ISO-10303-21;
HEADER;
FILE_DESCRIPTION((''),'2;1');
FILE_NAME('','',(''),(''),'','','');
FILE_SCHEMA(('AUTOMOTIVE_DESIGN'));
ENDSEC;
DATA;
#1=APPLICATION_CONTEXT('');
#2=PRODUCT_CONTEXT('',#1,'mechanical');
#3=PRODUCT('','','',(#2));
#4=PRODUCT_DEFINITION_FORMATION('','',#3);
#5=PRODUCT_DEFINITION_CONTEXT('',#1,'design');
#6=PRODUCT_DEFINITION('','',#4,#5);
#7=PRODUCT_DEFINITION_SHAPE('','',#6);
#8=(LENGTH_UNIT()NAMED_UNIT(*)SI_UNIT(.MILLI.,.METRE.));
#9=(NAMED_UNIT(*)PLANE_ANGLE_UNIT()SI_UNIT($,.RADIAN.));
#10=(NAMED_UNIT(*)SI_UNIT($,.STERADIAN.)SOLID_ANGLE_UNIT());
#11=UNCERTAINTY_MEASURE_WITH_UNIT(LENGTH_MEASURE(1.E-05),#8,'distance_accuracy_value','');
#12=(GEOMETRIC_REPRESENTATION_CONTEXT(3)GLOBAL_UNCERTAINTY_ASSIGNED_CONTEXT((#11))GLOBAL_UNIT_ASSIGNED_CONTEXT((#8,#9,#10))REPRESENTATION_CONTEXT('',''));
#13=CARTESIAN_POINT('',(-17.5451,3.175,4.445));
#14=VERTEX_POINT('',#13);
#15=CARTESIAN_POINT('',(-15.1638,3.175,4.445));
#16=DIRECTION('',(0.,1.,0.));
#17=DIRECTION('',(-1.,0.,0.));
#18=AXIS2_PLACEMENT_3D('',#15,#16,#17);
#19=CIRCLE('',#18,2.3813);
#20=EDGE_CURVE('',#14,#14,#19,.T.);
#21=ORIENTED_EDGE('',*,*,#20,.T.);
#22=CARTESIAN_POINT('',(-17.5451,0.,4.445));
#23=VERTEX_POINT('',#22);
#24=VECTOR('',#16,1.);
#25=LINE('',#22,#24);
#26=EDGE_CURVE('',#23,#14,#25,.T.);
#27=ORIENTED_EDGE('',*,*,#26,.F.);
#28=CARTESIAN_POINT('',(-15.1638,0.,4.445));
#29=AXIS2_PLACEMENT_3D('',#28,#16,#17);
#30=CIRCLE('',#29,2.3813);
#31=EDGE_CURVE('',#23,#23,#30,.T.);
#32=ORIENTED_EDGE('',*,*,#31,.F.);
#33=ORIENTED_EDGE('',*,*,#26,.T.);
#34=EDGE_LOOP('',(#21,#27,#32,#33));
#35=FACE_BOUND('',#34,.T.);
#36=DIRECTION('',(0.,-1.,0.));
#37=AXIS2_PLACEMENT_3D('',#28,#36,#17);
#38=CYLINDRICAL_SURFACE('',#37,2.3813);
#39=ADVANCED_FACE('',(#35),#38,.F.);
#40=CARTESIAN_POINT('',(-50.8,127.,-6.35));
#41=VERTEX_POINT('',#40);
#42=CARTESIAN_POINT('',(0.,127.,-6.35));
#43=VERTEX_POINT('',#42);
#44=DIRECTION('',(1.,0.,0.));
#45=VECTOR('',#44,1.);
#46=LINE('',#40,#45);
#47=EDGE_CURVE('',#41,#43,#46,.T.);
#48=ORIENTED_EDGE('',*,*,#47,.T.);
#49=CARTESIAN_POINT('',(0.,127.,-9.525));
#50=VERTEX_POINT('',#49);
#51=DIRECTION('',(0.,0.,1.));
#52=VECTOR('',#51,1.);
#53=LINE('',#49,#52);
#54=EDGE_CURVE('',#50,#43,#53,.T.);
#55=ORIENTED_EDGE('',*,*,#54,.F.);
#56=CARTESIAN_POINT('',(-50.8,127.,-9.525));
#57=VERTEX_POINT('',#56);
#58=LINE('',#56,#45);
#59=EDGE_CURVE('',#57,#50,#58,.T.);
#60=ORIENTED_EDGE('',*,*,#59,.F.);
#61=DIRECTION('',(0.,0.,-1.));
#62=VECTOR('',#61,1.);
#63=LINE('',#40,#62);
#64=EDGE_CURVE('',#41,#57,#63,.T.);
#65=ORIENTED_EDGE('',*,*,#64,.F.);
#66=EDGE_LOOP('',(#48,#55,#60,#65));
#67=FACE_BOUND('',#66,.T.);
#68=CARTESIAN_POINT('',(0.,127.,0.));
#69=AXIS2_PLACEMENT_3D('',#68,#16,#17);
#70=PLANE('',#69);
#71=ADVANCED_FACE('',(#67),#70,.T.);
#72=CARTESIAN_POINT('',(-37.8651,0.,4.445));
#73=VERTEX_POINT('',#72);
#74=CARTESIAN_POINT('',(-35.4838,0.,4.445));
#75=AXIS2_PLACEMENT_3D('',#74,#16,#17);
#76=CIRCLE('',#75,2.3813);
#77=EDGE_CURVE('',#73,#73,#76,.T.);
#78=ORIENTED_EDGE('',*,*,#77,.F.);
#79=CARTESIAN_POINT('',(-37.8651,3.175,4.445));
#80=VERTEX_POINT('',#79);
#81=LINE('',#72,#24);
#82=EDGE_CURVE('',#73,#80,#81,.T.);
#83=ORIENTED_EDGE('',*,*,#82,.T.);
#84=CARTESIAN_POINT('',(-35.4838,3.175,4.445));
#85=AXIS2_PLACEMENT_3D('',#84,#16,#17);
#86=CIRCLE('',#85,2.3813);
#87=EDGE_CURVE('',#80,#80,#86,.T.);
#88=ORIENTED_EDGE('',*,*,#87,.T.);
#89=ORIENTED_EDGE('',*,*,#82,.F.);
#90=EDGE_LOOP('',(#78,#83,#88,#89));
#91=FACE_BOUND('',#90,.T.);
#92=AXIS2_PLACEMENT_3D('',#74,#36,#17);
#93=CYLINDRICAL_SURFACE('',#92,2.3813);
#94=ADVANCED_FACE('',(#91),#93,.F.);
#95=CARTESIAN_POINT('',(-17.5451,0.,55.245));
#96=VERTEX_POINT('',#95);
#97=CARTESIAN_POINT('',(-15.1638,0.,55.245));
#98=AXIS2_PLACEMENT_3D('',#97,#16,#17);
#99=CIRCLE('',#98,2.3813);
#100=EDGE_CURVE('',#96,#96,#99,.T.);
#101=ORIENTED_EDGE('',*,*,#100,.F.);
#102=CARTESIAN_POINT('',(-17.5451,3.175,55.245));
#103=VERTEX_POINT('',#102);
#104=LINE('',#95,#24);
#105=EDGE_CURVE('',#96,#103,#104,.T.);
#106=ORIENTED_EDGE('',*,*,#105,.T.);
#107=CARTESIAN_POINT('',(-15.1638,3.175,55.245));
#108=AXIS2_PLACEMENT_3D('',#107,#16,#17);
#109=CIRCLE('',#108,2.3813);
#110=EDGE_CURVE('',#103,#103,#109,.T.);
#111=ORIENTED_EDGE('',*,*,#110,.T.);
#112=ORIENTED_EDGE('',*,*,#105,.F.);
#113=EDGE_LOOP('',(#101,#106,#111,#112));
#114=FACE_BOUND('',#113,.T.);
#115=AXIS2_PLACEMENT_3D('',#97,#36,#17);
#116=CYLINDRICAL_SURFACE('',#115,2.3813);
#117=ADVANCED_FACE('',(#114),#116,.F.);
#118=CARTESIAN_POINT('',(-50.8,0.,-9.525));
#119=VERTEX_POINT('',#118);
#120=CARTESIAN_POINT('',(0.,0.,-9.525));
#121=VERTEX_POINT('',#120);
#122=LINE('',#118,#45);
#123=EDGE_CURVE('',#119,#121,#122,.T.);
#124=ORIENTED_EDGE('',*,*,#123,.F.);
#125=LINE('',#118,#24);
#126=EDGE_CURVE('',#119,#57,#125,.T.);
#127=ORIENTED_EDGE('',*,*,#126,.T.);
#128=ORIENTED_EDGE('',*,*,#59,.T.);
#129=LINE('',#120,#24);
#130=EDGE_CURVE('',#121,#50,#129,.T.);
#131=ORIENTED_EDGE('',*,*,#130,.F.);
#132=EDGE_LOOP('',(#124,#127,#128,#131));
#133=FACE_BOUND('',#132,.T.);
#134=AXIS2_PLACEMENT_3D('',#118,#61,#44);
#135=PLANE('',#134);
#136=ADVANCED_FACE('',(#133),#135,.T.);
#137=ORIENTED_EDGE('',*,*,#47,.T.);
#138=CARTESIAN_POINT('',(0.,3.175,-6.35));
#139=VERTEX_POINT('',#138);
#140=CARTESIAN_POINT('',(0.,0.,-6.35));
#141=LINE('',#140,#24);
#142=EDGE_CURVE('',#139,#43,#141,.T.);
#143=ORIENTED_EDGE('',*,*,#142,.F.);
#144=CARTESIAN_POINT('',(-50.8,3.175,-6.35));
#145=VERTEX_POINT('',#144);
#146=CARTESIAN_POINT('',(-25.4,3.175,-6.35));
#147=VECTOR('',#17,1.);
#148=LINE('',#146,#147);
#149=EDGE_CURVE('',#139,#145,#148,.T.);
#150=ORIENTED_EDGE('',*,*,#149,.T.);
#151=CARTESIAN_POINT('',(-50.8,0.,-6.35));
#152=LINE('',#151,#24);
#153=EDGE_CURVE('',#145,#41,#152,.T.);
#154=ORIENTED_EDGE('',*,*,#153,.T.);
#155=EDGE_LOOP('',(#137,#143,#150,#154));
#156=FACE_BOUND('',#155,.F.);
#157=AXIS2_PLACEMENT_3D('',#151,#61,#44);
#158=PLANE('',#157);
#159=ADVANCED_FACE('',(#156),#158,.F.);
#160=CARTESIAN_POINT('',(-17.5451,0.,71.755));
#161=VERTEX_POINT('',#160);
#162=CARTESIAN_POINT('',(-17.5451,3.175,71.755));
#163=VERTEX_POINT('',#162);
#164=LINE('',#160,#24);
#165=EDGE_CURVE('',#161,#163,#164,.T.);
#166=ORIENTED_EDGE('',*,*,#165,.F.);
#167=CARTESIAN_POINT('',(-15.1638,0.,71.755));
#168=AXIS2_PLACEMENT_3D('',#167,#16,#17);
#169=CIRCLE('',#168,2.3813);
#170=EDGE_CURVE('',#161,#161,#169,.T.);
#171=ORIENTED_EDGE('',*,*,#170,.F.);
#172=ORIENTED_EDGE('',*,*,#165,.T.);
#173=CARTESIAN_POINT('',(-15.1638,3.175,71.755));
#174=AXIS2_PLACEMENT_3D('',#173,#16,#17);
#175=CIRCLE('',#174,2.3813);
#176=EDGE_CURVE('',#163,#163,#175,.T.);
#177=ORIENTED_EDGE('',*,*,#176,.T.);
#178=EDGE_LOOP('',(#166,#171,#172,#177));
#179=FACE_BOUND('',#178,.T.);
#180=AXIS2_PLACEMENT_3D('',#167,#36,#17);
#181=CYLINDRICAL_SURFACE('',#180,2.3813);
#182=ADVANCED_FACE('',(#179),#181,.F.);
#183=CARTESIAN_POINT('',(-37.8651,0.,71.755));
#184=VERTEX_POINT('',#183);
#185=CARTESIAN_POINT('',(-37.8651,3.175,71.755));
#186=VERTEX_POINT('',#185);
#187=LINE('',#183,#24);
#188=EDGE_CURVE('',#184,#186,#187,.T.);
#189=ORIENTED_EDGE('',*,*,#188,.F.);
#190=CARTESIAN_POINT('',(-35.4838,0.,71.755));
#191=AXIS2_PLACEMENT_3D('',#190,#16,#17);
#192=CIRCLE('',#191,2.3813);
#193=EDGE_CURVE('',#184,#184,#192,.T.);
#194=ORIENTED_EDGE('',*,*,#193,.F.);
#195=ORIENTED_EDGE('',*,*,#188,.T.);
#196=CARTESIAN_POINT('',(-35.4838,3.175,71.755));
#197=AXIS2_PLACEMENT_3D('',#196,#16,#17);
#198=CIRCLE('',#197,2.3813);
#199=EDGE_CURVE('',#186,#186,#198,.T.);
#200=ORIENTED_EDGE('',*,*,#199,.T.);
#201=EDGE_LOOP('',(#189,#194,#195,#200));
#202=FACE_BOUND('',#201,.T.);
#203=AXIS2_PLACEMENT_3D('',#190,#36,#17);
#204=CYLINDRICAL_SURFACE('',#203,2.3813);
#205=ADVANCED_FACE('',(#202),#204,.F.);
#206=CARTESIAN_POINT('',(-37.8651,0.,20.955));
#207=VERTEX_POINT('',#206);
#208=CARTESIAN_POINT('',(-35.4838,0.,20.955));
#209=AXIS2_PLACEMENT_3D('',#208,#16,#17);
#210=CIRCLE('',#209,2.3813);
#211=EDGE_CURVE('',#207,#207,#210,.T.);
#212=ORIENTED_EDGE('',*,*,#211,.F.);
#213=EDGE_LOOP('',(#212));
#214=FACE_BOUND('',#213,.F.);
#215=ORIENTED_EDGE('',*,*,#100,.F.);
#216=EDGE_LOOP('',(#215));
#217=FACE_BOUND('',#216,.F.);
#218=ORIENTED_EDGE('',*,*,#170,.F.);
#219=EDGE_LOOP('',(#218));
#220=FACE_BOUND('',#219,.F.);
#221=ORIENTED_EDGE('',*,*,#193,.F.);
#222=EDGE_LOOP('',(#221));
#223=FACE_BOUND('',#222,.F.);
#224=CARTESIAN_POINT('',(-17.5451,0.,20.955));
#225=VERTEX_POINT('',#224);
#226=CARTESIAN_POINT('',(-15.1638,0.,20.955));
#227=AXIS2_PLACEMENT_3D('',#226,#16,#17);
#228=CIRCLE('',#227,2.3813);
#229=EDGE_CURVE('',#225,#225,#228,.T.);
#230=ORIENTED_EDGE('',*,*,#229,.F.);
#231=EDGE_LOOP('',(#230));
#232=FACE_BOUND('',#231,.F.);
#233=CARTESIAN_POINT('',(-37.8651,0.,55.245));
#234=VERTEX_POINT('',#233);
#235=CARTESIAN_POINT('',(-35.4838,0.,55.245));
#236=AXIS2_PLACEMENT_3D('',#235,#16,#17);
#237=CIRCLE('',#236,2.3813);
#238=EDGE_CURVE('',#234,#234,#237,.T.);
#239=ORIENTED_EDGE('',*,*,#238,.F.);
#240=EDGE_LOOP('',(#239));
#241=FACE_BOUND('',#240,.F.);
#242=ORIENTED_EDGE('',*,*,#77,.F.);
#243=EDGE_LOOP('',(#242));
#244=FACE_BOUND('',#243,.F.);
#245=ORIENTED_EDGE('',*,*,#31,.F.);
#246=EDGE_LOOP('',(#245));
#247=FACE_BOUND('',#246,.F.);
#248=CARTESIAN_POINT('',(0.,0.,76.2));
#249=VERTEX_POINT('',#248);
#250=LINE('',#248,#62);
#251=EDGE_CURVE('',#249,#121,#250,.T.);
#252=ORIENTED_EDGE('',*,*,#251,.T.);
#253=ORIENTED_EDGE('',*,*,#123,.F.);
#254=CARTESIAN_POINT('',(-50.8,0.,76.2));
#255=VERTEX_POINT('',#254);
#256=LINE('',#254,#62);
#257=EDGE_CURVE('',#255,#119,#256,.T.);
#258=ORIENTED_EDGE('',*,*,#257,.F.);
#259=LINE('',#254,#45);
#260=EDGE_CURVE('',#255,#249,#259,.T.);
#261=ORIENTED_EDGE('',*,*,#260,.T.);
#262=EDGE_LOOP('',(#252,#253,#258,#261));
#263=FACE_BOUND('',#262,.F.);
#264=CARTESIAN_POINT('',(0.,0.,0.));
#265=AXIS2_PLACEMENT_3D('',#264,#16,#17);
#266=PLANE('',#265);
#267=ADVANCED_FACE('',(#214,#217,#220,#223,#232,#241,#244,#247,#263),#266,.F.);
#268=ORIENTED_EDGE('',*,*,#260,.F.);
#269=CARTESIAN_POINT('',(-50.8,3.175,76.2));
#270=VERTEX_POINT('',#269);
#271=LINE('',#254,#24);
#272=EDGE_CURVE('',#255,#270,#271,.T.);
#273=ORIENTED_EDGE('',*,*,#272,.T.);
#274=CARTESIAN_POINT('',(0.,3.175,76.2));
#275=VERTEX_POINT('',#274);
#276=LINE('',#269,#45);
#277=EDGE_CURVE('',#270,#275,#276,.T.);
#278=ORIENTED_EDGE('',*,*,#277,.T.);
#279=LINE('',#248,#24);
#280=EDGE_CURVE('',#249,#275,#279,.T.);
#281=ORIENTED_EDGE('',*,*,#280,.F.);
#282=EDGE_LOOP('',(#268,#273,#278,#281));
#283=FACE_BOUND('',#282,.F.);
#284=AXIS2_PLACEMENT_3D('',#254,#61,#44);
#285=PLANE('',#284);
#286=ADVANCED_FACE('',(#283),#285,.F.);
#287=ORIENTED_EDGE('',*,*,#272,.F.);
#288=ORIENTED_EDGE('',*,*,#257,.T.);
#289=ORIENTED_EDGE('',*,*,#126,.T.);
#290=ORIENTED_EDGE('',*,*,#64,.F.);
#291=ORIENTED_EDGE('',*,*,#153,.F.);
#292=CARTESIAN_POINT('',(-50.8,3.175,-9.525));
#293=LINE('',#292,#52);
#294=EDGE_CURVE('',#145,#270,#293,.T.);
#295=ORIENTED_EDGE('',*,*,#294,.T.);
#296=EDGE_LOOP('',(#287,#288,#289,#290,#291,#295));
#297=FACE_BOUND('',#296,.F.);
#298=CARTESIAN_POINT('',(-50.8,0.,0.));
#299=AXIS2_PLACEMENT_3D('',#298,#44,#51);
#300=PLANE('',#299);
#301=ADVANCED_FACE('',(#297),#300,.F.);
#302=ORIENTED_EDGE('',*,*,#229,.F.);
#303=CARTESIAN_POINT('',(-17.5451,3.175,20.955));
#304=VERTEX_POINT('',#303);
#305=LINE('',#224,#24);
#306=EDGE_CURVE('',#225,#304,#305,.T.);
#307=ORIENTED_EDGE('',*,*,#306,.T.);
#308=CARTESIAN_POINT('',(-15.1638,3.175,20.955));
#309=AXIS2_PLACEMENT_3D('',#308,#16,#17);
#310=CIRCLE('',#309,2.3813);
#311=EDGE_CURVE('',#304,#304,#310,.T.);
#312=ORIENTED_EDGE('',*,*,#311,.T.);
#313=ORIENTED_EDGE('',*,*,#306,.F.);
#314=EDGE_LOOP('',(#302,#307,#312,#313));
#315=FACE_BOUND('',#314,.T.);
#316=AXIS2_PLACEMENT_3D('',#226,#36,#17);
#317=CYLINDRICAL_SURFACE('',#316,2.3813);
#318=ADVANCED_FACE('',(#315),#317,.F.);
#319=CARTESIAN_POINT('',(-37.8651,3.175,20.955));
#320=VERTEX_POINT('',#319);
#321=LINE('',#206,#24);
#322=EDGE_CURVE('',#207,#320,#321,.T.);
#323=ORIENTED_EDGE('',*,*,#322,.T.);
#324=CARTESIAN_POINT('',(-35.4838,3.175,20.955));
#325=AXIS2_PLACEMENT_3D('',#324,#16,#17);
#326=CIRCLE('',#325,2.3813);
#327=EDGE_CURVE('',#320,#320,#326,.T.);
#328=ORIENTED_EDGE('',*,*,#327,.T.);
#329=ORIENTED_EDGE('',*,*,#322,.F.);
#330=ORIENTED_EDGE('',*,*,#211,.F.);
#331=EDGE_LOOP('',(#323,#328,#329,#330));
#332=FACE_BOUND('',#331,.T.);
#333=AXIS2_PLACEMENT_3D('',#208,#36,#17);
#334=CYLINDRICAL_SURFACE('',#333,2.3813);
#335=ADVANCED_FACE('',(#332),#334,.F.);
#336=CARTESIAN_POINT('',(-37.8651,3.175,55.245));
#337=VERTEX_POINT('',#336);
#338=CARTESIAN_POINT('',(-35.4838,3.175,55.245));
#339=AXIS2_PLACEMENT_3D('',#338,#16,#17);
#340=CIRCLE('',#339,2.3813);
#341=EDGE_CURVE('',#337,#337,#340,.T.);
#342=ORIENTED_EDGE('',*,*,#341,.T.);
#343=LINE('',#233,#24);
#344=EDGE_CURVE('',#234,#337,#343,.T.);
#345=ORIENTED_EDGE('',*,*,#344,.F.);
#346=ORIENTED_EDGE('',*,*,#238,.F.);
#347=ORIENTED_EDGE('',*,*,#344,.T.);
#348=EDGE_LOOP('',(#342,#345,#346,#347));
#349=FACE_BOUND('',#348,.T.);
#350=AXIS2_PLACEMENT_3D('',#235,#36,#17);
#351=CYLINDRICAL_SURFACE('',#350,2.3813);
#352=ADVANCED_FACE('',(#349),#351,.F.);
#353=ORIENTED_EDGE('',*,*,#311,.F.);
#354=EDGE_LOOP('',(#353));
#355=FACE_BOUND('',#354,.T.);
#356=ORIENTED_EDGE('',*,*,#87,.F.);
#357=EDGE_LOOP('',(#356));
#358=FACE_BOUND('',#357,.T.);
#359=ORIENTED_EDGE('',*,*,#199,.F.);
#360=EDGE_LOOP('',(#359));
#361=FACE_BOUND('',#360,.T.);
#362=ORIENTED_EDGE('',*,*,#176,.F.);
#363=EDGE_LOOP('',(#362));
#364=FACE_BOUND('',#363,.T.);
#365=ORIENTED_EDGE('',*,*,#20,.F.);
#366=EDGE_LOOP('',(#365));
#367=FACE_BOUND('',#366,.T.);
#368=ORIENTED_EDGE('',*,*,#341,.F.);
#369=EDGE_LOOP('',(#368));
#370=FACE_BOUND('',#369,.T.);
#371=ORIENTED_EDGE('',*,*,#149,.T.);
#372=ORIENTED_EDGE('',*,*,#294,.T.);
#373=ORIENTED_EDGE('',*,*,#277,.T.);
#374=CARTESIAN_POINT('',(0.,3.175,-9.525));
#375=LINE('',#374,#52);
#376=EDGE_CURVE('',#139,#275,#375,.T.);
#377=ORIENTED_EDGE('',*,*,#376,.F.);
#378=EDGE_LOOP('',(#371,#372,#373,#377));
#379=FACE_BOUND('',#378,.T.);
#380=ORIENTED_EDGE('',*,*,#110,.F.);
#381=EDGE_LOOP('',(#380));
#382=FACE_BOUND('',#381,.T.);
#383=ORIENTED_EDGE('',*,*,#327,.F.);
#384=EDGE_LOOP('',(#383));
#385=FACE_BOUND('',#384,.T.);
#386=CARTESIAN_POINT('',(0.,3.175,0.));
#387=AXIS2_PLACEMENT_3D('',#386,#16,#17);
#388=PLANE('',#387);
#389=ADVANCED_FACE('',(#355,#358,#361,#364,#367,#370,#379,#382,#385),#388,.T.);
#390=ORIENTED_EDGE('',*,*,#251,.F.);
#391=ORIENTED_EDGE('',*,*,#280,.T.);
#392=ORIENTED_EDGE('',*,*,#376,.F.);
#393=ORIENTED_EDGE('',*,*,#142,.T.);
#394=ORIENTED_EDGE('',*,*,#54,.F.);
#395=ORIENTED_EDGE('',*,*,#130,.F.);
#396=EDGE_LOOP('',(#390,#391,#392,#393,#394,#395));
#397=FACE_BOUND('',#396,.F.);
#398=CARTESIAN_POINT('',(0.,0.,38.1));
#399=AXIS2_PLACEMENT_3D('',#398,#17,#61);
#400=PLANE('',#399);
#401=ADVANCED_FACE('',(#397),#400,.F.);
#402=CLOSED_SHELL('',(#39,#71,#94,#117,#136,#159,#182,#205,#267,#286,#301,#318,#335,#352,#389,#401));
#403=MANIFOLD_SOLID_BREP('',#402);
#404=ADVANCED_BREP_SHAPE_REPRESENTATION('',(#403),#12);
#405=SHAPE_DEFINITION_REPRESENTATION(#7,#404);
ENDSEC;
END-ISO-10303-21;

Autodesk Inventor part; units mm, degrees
ref_plane "YZ Plane" through (0, 0, 0) normal (1, 0, 0) x (0, 1, 0)
ref_plane "XZ Plane" through (0, 0, 0) normal (0, 1, 0) x (-1, 0, 0)
ref_plane "XY Plane" through (0, 0, 0) normal (0, 0, 1) x (1, 0, 0)
sketch "Sketch1" plane through (0, 0, 0) normal (0, 1, 0) x (-1, 0, 0)
  line L0 (0, 0) -> (50.8, 0)
  line L1 (50.8, 0) -> (50.8, 76.2)
  line L2 (50.8, 76.2) -> (0, 76.2)
  line L3 (0, 76.2) -> (0, 0)
  circle A0 centre (35.4838, 71.755) radius 2.3813
  circle A1 centre (35.4838, 55.245) radius 2.3813
  circle A2 centre (15.1638, 71.755) radius 2.3813
  circle A3 centre (15.1638, 55.245) radius 2.3813
  line L4 (50.8, 38.1) -> (0, 38.1)
  circle A4 centre (35.4838, 4.445) radius 2.3813
  circle A5 centre (35.4838, 20.955) radius 2.3813
  circle A6 centre (15.1638, 4.445) radius 2.3813
  circle A7 centre (15.1638, 20.955) radius 2.3813
  line L5 (0, 0) -> (50.8, 0)
  line L6 (50.8, 0) -> (50.8, -6.35)
  line L7 (50.8, -6.35) -> (0, -6.35)
  line L8 (0, -6.35) -> (0, 0)
  line L9 (0, -6.35) -> (50.8, -6.35)
  line L10 (50.8, -6.35) -> (50.8, -9.525)
  line L11 (50.8, -9.525) -> (0, -9.525)
  line L12 (0, -9.525) -> (0, -6.35)
  dimension "d0" = 50.8
  dimension "d1" = 76.2
  dimension "d2" = 4.7625
  dimension "d3" = 15.3162
  dimension "d4" = 4.445
  dimension "d7" = 16.51
  dimension "d10" = 20.32
  dimension "d15" = 50.8
  dimension "d16" = 6.35
  dimension "d17" = 50.8
  dimension "d18" = 3.175
extrude "Extrusion1" add sketch "Sketch1" along normal blind 3.175
extrude "Extrusion2" add sketch "Sketch1" along normal blind 127 contours L7 L10 L11 L12
properties part number "Gripper Slider Connecting Plate & Bar"
